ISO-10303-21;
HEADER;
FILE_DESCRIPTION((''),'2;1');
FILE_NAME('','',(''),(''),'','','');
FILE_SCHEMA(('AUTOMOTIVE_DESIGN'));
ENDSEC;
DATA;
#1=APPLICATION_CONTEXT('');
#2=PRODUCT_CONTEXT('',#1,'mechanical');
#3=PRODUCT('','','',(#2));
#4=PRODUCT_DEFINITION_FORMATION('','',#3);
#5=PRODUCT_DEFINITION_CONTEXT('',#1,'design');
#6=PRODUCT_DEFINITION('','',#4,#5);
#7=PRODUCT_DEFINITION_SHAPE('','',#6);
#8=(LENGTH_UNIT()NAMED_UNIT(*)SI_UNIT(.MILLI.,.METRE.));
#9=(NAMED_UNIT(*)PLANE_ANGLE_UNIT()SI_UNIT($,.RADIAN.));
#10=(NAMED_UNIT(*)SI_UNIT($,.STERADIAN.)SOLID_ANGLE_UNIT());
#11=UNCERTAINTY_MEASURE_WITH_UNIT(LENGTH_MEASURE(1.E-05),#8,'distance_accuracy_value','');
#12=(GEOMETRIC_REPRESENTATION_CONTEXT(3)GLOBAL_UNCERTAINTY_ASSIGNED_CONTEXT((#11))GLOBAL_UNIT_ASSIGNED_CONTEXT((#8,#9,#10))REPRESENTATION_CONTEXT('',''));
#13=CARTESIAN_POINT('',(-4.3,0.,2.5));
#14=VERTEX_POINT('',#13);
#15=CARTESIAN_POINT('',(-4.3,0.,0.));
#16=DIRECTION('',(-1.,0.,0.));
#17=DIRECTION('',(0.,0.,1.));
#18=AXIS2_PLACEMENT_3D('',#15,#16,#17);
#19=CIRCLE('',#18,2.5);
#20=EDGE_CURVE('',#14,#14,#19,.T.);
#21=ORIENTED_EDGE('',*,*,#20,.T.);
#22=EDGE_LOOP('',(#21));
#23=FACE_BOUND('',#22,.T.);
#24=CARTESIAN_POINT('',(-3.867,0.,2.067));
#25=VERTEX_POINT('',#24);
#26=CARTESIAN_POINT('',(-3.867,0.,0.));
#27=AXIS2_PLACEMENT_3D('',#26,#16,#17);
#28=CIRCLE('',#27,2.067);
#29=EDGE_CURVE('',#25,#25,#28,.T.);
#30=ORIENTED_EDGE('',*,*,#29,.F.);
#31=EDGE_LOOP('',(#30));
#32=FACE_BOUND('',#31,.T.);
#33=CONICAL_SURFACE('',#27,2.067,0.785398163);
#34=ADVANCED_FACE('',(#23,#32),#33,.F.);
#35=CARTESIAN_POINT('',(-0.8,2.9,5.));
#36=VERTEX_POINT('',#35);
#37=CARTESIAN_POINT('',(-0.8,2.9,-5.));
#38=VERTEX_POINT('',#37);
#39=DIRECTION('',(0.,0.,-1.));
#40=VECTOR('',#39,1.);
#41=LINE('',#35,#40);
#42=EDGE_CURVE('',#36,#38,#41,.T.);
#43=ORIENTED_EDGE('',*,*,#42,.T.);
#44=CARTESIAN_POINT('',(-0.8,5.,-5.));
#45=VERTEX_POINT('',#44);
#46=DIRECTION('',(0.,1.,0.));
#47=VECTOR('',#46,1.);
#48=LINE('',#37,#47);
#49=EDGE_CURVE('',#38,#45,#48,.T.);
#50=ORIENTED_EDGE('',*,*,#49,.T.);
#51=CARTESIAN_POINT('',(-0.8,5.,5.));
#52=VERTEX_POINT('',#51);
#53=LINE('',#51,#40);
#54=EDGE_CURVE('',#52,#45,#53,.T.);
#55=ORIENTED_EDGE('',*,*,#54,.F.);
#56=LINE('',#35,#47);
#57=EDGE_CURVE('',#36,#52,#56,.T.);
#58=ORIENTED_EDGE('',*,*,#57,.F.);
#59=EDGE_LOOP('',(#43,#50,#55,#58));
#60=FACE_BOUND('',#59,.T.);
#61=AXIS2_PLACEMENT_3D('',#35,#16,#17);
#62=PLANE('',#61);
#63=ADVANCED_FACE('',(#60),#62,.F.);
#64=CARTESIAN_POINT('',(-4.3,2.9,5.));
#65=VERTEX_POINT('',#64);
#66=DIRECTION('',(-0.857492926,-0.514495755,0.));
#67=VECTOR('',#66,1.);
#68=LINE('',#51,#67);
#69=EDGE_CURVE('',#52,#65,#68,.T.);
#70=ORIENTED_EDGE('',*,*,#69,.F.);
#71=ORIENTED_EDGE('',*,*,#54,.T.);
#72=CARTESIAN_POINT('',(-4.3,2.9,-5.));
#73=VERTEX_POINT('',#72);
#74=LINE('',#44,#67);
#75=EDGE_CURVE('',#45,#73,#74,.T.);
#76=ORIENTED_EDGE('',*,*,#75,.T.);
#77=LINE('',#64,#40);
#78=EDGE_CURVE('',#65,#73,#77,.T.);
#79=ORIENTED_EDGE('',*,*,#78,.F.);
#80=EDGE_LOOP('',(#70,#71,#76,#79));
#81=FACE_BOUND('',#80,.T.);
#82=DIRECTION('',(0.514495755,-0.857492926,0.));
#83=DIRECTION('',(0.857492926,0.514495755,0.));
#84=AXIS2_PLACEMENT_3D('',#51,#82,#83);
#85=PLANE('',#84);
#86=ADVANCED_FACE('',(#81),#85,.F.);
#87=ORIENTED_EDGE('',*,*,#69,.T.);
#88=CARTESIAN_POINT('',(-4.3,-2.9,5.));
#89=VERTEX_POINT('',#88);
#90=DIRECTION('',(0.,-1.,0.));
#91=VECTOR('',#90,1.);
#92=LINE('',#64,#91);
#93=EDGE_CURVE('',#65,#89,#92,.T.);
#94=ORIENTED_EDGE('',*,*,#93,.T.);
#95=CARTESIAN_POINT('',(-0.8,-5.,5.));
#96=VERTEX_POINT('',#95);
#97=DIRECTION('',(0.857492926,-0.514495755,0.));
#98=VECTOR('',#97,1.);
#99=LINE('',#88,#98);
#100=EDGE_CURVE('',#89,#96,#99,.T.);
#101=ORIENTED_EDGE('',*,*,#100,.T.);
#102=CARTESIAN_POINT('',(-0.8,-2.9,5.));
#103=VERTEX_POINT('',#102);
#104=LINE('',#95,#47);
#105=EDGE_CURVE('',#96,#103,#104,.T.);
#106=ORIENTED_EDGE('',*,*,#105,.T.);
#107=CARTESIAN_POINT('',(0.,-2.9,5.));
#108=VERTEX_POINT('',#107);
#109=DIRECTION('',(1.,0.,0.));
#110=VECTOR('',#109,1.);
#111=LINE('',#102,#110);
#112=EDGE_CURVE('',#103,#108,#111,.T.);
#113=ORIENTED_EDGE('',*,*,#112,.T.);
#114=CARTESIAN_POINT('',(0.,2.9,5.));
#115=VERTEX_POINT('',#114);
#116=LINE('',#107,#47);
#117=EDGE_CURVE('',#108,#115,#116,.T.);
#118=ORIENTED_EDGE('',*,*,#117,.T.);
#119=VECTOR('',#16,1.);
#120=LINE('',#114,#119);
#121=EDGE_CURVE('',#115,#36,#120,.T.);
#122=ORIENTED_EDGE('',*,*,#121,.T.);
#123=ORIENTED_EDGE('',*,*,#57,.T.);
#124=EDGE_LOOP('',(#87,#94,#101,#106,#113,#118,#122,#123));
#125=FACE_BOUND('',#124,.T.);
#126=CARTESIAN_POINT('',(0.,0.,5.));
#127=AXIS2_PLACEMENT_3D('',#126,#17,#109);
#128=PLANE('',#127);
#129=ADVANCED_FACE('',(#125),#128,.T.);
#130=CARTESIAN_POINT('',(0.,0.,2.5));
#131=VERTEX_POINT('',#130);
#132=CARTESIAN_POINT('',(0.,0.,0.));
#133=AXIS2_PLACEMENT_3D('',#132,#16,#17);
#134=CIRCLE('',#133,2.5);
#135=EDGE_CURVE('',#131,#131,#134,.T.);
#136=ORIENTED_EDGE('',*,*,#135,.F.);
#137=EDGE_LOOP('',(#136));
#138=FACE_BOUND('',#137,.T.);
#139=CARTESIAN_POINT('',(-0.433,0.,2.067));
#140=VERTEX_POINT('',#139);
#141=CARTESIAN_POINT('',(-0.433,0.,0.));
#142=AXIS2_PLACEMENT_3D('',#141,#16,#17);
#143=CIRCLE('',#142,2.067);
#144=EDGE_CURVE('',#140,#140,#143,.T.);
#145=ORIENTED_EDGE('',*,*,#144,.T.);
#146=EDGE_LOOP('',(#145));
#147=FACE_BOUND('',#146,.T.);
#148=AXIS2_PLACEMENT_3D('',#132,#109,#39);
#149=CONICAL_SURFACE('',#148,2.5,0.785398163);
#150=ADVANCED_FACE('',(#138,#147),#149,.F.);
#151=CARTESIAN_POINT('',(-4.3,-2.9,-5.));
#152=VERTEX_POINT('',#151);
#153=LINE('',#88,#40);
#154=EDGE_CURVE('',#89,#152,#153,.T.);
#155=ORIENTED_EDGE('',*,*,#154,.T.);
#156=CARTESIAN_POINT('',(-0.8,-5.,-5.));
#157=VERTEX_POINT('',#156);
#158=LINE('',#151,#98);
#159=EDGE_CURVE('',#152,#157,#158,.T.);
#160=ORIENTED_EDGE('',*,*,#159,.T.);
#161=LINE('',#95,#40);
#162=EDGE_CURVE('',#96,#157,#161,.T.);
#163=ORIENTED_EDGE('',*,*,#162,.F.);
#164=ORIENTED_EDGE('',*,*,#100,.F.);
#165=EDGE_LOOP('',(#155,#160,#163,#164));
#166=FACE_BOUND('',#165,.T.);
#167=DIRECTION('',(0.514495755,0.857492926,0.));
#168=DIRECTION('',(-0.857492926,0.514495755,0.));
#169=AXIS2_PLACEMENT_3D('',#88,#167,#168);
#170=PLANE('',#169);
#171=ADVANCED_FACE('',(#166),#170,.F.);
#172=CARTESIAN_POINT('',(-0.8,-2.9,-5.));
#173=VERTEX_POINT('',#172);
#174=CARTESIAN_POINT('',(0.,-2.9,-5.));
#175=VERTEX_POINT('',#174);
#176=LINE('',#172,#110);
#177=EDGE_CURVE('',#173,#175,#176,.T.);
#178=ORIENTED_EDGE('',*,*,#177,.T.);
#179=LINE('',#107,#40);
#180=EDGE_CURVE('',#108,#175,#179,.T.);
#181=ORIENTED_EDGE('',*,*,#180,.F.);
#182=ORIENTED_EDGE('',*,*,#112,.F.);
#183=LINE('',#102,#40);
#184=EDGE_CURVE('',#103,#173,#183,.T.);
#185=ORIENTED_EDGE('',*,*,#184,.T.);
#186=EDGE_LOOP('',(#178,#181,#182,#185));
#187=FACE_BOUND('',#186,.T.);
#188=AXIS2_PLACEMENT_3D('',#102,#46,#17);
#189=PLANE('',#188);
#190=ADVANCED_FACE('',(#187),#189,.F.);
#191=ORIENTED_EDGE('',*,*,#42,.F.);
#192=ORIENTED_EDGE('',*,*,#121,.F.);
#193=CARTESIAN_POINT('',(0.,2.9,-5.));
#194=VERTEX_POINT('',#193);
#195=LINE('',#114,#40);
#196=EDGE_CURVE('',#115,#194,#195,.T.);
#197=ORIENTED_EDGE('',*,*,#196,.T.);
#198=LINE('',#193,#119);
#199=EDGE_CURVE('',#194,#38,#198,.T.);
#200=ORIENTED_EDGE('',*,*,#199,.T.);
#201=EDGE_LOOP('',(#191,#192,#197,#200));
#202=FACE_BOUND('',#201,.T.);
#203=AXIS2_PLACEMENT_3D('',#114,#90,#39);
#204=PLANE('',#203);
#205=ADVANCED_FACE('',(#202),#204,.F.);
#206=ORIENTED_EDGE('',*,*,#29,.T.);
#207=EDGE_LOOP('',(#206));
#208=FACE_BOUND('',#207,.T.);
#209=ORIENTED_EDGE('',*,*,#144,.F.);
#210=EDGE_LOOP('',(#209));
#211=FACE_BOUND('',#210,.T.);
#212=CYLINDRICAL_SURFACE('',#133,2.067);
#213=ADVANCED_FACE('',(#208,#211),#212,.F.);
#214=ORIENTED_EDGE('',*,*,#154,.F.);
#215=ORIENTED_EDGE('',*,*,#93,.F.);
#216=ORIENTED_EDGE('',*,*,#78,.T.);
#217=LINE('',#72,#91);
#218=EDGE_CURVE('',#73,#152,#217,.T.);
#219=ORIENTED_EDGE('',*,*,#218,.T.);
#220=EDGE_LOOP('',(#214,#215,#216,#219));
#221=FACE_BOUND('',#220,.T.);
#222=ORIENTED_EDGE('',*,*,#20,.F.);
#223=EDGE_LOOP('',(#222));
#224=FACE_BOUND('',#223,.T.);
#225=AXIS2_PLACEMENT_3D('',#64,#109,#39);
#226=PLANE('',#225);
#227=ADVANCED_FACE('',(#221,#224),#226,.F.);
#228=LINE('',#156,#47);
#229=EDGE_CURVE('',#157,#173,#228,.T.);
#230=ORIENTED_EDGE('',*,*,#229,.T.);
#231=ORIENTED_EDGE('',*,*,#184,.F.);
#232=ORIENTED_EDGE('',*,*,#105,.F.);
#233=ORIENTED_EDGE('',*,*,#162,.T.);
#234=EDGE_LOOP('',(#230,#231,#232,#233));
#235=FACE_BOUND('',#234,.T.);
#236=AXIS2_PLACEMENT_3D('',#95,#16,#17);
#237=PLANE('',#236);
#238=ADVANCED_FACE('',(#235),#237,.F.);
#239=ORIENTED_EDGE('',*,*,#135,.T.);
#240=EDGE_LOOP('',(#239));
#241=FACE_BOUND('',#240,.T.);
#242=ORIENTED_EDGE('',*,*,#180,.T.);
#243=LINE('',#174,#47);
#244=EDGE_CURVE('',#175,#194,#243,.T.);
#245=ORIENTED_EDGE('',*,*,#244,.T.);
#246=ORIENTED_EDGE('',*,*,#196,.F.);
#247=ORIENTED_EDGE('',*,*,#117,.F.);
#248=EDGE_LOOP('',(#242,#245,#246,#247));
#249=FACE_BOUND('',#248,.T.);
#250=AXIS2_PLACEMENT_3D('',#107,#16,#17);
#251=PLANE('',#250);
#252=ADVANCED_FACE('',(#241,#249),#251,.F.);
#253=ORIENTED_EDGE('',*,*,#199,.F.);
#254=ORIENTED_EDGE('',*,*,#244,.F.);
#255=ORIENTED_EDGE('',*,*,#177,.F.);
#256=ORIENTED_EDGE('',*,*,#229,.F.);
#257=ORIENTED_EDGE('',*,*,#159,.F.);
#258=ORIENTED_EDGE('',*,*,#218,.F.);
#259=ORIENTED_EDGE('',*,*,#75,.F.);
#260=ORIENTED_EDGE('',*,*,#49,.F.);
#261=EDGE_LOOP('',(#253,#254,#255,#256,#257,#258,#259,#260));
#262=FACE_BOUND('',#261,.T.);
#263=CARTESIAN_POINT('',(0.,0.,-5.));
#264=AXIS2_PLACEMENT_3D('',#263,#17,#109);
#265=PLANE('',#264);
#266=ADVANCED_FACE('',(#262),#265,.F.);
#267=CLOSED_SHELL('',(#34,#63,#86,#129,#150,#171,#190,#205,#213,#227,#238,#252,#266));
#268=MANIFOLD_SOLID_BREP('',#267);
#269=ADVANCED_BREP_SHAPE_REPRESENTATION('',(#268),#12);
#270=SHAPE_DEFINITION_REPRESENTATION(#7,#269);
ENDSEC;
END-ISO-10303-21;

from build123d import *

# Parameters (mm, degrees)
BOSS_EXTRUDE1_DEPTH      = 5
BOSS_EXTRUDE1_DEPTH_BACK = 5


with BuildPart() as part:
    # Sketch1 → Boss-Extrude1 (new body, two sides)
    with BuildSketch(Plane.XY) as boss_extrude1_sk:
        Polygon((-4.3, 2.9), (-4.3, -2.9), (-0.8, -5), (-0.8, -2.9), (0, -2.9), (0, 2.9), (-0.8, 2.9), (-0.8, 5), align=None)
    extrude(amount=BOSS_EXTRUDE1_DEPTH)
    extrude(boss_extrude1_sk.sketch, amount=-BOSS_EXTRUDE1_DEPTH_BACK)

    # Sketch2 → Cut-Revolve1 (revolve, cut)
    with BuildSketch(Plane.XY):
        Polygon((-4.3, 0), (-4.3, 2.5), (-3.867, 2.067), (-0.433, 2.067), (0, 2.5), (0, 0), align=None)
    revolve(axis=Axis((0, 0, 0), (-1, 0, 0)), mode=Mode.SUBTRACT)


solid = part.part
